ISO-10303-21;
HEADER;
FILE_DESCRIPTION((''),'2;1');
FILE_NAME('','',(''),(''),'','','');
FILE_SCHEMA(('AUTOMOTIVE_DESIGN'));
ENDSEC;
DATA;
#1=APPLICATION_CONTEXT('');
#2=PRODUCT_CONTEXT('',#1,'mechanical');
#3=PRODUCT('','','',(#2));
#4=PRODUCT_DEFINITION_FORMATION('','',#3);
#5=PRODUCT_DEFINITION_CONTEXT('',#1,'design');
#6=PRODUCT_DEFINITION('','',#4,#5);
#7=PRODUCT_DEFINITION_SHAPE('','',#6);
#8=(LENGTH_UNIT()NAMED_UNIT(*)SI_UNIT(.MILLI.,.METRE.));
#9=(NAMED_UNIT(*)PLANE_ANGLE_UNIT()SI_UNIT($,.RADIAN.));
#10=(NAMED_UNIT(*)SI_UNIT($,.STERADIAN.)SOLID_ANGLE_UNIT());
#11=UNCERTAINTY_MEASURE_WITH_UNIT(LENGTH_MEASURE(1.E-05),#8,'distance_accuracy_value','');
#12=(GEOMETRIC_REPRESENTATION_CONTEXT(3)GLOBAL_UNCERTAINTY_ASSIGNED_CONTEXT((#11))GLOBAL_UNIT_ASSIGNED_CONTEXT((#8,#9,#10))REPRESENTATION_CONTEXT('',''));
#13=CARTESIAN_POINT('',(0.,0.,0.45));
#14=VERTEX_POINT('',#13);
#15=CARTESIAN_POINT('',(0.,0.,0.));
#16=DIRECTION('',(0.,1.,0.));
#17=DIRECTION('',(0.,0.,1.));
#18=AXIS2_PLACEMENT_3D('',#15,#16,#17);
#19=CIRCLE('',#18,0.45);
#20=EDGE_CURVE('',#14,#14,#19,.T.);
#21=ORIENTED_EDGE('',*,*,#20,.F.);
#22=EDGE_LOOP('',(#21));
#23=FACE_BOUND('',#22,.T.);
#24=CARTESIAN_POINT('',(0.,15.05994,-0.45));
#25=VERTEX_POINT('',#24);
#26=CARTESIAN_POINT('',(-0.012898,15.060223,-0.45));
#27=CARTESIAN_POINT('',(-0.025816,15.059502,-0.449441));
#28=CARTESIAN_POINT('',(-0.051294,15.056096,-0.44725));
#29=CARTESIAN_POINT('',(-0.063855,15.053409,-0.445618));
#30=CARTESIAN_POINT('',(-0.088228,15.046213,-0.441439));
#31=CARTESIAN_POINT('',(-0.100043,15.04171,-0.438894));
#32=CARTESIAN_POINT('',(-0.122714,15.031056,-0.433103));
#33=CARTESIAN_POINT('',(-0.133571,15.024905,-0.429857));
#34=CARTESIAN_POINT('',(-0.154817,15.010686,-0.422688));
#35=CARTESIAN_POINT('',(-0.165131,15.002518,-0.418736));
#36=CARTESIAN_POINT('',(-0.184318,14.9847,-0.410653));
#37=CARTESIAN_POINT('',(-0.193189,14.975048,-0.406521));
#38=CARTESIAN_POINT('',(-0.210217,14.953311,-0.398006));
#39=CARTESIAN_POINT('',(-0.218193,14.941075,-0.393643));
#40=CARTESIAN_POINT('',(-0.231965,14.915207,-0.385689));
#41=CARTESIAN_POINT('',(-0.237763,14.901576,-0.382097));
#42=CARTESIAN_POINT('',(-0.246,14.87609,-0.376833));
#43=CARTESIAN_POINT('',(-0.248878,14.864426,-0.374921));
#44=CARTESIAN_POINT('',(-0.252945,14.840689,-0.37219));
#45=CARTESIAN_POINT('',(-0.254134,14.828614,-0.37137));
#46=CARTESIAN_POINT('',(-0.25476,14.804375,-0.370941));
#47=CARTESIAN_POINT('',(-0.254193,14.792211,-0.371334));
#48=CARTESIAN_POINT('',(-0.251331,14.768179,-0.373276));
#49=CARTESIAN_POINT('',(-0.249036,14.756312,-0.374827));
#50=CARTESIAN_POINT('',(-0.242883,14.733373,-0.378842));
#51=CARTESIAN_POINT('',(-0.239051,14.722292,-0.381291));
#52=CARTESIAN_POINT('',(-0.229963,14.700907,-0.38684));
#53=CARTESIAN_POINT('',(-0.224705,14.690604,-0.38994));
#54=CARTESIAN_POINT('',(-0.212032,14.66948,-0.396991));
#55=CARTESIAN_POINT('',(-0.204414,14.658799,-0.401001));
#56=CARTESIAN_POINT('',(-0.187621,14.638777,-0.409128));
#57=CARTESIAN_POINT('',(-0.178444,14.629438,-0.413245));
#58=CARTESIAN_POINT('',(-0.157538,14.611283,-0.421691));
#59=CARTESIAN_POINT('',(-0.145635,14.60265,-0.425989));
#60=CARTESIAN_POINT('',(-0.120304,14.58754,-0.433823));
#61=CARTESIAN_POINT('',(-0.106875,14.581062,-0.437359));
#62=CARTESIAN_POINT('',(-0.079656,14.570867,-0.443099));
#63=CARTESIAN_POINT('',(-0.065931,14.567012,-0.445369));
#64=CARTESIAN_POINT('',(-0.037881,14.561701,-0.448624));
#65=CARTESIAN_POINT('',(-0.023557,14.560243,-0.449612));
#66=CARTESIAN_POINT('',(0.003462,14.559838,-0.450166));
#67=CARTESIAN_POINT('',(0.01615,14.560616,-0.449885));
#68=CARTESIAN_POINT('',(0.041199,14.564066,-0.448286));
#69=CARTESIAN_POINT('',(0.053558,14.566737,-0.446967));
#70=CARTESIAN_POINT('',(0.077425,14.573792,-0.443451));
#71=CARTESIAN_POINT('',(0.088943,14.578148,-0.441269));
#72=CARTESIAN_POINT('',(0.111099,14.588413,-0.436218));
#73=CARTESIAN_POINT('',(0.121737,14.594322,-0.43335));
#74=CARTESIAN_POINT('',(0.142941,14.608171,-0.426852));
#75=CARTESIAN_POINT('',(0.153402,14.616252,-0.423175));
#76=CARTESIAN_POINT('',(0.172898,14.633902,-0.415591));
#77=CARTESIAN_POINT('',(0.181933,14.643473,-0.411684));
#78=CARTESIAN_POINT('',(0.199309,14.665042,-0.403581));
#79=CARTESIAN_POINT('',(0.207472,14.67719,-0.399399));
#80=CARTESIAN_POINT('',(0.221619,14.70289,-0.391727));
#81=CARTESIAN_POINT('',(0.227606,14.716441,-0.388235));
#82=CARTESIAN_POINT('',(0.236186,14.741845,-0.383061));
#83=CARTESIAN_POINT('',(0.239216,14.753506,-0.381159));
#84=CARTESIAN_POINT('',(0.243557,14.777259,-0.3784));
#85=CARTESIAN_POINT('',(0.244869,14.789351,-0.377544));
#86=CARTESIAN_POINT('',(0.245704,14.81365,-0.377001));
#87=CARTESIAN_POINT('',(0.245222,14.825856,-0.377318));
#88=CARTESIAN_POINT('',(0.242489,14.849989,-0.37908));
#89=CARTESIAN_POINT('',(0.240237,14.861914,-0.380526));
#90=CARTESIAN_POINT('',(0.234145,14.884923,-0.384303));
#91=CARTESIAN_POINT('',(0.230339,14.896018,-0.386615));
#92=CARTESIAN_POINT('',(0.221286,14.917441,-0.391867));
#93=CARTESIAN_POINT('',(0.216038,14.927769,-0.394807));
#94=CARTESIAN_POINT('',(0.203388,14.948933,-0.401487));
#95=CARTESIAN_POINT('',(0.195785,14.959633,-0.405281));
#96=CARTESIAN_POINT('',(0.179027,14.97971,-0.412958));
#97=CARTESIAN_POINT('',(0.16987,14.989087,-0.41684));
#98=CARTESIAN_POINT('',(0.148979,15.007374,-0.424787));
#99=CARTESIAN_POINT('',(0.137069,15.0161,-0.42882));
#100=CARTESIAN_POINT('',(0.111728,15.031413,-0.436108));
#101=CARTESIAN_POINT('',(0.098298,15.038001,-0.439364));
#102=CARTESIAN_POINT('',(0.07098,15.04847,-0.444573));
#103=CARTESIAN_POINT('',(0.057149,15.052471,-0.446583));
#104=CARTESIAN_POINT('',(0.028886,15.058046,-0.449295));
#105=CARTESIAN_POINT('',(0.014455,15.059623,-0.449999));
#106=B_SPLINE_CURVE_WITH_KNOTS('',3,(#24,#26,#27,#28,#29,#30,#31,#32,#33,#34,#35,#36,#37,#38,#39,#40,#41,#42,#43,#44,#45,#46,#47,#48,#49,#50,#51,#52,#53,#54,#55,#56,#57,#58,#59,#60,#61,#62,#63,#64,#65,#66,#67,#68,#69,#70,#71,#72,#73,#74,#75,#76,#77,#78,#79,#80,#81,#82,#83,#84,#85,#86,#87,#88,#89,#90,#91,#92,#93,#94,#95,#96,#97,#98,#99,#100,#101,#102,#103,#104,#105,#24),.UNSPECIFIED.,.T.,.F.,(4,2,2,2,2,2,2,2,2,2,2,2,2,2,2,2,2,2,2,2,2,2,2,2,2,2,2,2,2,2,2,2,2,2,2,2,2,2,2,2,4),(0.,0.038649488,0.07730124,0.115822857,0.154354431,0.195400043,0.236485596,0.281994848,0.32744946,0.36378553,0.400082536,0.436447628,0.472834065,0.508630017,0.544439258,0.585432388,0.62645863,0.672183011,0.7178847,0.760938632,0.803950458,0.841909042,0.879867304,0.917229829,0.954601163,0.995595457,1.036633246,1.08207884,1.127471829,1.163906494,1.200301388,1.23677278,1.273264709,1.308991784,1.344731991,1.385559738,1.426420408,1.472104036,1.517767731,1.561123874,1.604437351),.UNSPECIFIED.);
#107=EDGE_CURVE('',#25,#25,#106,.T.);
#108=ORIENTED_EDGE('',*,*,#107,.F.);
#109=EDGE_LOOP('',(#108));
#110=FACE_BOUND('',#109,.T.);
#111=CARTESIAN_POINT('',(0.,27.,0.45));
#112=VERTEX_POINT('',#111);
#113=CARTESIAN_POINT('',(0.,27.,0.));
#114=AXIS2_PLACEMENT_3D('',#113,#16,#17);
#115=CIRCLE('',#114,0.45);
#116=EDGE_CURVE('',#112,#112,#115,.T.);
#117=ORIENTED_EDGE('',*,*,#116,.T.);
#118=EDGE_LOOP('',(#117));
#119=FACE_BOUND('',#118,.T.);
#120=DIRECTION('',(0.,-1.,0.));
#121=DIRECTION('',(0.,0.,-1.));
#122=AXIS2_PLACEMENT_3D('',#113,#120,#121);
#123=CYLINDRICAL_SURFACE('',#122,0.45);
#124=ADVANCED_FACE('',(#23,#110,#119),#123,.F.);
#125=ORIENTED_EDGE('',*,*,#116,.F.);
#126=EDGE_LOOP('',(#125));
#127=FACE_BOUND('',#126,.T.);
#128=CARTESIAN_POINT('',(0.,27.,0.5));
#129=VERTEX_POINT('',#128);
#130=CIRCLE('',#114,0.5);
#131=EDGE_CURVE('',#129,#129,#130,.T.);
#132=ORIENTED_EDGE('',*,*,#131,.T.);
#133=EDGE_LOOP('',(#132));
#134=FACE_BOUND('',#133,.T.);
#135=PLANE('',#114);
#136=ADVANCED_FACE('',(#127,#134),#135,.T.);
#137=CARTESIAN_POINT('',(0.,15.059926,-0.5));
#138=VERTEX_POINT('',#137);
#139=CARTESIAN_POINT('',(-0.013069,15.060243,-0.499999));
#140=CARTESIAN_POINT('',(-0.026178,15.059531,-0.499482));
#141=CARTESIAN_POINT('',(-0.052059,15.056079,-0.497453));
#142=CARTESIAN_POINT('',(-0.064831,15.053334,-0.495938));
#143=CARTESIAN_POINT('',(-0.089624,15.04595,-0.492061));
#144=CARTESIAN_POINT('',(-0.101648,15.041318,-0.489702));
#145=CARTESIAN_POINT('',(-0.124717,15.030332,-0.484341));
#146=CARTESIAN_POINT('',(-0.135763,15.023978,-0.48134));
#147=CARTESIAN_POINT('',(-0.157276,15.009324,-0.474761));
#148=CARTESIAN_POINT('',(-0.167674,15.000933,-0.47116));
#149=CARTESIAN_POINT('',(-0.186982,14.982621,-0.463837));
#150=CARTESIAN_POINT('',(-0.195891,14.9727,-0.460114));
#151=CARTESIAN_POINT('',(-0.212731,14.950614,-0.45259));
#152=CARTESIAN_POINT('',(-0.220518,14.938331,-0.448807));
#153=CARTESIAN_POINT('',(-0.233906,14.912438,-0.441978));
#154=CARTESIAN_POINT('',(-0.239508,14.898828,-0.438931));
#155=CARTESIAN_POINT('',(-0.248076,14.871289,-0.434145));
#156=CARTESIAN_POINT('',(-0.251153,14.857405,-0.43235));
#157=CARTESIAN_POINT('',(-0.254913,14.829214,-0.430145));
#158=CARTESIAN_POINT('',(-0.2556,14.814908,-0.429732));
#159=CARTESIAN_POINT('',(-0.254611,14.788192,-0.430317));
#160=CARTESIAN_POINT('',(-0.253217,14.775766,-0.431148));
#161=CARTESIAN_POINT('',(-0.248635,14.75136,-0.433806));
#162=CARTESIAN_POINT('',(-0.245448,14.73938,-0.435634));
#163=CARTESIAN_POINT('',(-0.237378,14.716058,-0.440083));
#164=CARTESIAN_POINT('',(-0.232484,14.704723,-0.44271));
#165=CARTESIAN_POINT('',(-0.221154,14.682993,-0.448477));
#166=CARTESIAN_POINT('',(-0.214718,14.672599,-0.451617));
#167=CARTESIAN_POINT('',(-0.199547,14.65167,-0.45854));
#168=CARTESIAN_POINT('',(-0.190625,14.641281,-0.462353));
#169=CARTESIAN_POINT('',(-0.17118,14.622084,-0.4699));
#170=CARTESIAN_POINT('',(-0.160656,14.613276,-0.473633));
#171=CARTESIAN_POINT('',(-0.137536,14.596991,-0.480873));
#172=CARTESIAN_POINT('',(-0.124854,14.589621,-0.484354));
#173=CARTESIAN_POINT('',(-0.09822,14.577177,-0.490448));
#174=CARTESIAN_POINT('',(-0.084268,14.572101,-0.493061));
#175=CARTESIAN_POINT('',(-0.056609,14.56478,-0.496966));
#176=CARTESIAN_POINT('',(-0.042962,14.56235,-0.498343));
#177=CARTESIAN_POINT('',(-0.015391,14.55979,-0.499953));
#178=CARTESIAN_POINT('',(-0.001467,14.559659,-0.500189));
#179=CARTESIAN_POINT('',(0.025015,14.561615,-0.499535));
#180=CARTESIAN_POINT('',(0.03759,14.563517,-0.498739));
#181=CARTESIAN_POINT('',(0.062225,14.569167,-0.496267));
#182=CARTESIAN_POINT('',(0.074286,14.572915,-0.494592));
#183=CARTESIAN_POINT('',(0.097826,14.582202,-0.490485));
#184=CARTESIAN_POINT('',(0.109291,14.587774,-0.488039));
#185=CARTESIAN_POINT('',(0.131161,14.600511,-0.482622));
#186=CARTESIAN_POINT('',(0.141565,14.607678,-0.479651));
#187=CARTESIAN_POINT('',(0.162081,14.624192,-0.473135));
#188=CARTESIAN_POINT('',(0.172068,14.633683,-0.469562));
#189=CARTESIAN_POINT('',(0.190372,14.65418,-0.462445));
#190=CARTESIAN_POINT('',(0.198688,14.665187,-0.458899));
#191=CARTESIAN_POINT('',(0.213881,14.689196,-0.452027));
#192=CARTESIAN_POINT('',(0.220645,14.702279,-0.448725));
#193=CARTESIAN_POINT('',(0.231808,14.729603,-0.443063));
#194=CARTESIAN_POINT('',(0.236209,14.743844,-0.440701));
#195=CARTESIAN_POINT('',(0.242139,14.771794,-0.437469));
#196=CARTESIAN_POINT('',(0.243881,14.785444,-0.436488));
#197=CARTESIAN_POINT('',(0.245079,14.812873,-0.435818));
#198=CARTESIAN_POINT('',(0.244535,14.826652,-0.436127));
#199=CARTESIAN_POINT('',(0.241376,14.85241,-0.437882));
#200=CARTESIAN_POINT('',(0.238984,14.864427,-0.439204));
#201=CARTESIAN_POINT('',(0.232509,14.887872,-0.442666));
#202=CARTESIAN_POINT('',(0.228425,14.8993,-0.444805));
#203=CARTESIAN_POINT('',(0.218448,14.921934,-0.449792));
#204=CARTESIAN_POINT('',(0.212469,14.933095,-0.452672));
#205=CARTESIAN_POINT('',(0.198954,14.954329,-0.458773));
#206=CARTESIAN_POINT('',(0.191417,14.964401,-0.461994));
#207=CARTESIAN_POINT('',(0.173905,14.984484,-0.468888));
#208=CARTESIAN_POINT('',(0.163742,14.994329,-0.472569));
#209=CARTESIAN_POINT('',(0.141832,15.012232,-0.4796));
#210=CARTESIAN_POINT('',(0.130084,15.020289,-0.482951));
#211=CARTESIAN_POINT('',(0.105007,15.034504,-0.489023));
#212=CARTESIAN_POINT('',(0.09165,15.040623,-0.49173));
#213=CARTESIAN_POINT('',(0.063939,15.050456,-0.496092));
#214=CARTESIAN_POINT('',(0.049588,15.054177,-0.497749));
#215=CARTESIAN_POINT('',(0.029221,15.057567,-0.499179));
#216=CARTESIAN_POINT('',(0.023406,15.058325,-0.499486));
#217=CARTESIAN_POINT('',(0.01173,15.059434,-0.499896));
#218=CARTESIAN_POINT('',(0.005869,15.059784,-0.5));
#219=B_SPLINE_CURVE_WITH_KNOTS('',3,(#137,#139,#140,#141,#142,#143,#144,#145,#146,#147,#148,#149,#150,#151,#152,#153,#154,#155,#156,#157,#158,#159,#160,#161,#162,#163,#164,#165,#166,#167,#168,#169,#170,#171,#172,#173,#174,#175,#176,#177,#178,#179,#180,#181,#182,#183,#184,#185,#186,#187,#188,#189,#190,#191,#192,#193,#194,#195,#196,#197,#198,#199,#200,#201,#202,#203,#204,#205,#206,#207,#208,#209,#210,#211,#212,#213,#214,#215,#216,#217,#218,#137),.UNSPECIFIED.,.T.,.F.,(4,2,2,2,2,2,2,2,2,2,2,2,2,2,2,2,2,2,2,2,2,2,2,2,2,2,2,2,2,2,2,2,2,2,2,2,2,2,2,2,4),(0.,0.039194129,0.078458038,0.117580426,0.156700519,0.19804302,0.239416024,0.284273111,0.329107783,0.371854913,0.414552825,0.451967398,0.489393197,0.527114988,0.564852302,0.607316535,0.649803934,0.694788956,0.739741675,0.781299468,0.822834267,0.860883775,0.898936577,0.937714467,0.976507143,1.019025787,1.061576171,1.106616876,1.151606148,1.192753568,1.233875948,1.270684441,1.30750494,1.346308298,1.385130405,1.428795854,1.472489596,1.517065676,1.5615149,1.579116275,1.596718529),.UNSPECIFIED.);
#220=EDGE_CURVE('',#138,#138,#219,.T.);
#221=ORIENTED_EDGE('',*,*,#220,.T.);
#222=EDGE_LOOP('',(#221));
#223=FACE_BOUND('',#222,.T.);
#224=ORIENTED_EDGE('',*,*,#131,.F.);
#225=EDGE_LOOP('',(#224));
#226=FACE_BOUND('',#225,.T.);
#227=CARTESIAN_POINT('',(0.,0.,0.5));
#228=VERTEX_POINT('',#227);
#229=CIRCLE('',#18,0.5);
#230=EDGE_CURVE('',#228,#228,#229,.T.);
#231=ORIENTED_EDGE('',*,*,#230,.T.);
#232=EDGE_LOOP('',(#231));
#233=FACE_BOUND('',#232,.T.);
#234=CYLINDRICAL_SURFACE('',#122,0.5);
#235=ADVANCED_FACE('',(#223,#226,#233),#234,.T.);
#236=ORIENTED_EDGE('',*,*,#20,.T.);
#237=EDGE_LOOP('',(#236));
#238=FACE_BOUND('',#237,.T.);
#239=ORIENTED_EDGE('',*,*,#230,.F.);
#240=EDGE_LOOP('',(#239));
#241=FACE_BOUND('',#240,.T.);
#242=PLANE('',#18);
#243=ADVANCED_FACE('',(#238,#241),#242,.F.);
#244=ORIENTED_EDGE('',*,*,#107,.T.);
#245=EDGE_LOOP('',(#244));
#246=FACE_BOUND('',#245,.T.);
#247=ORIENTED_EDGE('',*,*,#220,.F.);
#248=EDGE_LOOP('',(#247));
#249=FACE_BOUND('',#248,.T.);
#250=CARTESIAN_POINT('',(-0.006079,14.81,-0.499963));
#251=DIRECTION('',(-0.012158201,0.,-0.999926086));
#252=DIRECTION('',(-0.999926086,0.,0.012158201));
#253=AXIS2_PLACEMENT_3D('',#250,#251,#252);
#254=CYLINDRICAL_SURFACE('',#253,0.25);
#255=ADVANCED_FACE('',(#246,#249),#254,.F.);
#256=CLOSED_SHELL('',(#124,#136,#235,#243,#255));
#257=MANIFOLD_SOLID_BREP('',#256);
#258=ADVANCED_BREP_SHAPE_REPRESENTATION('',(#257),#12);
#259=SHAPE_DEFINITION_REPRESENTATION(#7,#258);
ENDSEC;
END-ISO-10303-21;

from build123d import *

# Parameters (mm, degrees)
SKETCH1_R                       = 0.5
SKETCH1_R_2                     = 0.45
BOSS_EXTRUDE1_DEPTH             = 27
F_0_5_0_5_DIAMETER_HOLE1_REACH  = 16.852
F_0_5_0_5_DIAMETER_HOLE1_BORE_R = 0.25


with BuildPart() as part:
    # Sketch1 → Boss-Extrude1 (new body)
    with BuildSketch(Plane(origin=(0, 0, 0), x_dir=(1, 0, 0), z_dir=(0, 1, 0))):
        with Locations(Location((0, 0, 0), (0, 0, 270))):
            Circle(SKETCH1_R)
        with Locations(Location((0, 0, 0), (0, 0, 270))):
            Circle(SKETCH1_R_2, mode=Mode.SUBTRACT)
    extrude(amount=BOSS_EXTRUDE1_DEPTH)

    # Ø0.5 (0.5) Diameter Hole1 bore (on position points) → Ø0.5 (0.5) Diameter Hole1 (cut, up to next)
    with BuildSketch(Plane(origin=(-0.006079101, 14.81, -0.499963043), x_dir=(-0.999926086337, 0, 0.012158201471), z_dir=(-0.012158201471, 0, -0.999926086337)), mode=Mode.PRIVATE) as f_0_5_0_5_diameter_hole1_sk1:
        Circle(F_0_5_0_5_DIAMETER_HOLE1_BORE_R)
    f_0_5_0_5_diameter_hole1_tool1 = extrude(f_0_5_0_5_diameter_hole1_sk1.sketch, amount=-F_0_5_0_5_DIAMETER_HOLE1_REACH, mode=Mode.PRIVATE) & part.part
    add(f_0_5_0_5_diameter_hole1_tool1.solids().sort_by_distance((-0.006079, 14.81, -0.499963))[0], mode=Mode.SUBTRACT)


solid = part.part
